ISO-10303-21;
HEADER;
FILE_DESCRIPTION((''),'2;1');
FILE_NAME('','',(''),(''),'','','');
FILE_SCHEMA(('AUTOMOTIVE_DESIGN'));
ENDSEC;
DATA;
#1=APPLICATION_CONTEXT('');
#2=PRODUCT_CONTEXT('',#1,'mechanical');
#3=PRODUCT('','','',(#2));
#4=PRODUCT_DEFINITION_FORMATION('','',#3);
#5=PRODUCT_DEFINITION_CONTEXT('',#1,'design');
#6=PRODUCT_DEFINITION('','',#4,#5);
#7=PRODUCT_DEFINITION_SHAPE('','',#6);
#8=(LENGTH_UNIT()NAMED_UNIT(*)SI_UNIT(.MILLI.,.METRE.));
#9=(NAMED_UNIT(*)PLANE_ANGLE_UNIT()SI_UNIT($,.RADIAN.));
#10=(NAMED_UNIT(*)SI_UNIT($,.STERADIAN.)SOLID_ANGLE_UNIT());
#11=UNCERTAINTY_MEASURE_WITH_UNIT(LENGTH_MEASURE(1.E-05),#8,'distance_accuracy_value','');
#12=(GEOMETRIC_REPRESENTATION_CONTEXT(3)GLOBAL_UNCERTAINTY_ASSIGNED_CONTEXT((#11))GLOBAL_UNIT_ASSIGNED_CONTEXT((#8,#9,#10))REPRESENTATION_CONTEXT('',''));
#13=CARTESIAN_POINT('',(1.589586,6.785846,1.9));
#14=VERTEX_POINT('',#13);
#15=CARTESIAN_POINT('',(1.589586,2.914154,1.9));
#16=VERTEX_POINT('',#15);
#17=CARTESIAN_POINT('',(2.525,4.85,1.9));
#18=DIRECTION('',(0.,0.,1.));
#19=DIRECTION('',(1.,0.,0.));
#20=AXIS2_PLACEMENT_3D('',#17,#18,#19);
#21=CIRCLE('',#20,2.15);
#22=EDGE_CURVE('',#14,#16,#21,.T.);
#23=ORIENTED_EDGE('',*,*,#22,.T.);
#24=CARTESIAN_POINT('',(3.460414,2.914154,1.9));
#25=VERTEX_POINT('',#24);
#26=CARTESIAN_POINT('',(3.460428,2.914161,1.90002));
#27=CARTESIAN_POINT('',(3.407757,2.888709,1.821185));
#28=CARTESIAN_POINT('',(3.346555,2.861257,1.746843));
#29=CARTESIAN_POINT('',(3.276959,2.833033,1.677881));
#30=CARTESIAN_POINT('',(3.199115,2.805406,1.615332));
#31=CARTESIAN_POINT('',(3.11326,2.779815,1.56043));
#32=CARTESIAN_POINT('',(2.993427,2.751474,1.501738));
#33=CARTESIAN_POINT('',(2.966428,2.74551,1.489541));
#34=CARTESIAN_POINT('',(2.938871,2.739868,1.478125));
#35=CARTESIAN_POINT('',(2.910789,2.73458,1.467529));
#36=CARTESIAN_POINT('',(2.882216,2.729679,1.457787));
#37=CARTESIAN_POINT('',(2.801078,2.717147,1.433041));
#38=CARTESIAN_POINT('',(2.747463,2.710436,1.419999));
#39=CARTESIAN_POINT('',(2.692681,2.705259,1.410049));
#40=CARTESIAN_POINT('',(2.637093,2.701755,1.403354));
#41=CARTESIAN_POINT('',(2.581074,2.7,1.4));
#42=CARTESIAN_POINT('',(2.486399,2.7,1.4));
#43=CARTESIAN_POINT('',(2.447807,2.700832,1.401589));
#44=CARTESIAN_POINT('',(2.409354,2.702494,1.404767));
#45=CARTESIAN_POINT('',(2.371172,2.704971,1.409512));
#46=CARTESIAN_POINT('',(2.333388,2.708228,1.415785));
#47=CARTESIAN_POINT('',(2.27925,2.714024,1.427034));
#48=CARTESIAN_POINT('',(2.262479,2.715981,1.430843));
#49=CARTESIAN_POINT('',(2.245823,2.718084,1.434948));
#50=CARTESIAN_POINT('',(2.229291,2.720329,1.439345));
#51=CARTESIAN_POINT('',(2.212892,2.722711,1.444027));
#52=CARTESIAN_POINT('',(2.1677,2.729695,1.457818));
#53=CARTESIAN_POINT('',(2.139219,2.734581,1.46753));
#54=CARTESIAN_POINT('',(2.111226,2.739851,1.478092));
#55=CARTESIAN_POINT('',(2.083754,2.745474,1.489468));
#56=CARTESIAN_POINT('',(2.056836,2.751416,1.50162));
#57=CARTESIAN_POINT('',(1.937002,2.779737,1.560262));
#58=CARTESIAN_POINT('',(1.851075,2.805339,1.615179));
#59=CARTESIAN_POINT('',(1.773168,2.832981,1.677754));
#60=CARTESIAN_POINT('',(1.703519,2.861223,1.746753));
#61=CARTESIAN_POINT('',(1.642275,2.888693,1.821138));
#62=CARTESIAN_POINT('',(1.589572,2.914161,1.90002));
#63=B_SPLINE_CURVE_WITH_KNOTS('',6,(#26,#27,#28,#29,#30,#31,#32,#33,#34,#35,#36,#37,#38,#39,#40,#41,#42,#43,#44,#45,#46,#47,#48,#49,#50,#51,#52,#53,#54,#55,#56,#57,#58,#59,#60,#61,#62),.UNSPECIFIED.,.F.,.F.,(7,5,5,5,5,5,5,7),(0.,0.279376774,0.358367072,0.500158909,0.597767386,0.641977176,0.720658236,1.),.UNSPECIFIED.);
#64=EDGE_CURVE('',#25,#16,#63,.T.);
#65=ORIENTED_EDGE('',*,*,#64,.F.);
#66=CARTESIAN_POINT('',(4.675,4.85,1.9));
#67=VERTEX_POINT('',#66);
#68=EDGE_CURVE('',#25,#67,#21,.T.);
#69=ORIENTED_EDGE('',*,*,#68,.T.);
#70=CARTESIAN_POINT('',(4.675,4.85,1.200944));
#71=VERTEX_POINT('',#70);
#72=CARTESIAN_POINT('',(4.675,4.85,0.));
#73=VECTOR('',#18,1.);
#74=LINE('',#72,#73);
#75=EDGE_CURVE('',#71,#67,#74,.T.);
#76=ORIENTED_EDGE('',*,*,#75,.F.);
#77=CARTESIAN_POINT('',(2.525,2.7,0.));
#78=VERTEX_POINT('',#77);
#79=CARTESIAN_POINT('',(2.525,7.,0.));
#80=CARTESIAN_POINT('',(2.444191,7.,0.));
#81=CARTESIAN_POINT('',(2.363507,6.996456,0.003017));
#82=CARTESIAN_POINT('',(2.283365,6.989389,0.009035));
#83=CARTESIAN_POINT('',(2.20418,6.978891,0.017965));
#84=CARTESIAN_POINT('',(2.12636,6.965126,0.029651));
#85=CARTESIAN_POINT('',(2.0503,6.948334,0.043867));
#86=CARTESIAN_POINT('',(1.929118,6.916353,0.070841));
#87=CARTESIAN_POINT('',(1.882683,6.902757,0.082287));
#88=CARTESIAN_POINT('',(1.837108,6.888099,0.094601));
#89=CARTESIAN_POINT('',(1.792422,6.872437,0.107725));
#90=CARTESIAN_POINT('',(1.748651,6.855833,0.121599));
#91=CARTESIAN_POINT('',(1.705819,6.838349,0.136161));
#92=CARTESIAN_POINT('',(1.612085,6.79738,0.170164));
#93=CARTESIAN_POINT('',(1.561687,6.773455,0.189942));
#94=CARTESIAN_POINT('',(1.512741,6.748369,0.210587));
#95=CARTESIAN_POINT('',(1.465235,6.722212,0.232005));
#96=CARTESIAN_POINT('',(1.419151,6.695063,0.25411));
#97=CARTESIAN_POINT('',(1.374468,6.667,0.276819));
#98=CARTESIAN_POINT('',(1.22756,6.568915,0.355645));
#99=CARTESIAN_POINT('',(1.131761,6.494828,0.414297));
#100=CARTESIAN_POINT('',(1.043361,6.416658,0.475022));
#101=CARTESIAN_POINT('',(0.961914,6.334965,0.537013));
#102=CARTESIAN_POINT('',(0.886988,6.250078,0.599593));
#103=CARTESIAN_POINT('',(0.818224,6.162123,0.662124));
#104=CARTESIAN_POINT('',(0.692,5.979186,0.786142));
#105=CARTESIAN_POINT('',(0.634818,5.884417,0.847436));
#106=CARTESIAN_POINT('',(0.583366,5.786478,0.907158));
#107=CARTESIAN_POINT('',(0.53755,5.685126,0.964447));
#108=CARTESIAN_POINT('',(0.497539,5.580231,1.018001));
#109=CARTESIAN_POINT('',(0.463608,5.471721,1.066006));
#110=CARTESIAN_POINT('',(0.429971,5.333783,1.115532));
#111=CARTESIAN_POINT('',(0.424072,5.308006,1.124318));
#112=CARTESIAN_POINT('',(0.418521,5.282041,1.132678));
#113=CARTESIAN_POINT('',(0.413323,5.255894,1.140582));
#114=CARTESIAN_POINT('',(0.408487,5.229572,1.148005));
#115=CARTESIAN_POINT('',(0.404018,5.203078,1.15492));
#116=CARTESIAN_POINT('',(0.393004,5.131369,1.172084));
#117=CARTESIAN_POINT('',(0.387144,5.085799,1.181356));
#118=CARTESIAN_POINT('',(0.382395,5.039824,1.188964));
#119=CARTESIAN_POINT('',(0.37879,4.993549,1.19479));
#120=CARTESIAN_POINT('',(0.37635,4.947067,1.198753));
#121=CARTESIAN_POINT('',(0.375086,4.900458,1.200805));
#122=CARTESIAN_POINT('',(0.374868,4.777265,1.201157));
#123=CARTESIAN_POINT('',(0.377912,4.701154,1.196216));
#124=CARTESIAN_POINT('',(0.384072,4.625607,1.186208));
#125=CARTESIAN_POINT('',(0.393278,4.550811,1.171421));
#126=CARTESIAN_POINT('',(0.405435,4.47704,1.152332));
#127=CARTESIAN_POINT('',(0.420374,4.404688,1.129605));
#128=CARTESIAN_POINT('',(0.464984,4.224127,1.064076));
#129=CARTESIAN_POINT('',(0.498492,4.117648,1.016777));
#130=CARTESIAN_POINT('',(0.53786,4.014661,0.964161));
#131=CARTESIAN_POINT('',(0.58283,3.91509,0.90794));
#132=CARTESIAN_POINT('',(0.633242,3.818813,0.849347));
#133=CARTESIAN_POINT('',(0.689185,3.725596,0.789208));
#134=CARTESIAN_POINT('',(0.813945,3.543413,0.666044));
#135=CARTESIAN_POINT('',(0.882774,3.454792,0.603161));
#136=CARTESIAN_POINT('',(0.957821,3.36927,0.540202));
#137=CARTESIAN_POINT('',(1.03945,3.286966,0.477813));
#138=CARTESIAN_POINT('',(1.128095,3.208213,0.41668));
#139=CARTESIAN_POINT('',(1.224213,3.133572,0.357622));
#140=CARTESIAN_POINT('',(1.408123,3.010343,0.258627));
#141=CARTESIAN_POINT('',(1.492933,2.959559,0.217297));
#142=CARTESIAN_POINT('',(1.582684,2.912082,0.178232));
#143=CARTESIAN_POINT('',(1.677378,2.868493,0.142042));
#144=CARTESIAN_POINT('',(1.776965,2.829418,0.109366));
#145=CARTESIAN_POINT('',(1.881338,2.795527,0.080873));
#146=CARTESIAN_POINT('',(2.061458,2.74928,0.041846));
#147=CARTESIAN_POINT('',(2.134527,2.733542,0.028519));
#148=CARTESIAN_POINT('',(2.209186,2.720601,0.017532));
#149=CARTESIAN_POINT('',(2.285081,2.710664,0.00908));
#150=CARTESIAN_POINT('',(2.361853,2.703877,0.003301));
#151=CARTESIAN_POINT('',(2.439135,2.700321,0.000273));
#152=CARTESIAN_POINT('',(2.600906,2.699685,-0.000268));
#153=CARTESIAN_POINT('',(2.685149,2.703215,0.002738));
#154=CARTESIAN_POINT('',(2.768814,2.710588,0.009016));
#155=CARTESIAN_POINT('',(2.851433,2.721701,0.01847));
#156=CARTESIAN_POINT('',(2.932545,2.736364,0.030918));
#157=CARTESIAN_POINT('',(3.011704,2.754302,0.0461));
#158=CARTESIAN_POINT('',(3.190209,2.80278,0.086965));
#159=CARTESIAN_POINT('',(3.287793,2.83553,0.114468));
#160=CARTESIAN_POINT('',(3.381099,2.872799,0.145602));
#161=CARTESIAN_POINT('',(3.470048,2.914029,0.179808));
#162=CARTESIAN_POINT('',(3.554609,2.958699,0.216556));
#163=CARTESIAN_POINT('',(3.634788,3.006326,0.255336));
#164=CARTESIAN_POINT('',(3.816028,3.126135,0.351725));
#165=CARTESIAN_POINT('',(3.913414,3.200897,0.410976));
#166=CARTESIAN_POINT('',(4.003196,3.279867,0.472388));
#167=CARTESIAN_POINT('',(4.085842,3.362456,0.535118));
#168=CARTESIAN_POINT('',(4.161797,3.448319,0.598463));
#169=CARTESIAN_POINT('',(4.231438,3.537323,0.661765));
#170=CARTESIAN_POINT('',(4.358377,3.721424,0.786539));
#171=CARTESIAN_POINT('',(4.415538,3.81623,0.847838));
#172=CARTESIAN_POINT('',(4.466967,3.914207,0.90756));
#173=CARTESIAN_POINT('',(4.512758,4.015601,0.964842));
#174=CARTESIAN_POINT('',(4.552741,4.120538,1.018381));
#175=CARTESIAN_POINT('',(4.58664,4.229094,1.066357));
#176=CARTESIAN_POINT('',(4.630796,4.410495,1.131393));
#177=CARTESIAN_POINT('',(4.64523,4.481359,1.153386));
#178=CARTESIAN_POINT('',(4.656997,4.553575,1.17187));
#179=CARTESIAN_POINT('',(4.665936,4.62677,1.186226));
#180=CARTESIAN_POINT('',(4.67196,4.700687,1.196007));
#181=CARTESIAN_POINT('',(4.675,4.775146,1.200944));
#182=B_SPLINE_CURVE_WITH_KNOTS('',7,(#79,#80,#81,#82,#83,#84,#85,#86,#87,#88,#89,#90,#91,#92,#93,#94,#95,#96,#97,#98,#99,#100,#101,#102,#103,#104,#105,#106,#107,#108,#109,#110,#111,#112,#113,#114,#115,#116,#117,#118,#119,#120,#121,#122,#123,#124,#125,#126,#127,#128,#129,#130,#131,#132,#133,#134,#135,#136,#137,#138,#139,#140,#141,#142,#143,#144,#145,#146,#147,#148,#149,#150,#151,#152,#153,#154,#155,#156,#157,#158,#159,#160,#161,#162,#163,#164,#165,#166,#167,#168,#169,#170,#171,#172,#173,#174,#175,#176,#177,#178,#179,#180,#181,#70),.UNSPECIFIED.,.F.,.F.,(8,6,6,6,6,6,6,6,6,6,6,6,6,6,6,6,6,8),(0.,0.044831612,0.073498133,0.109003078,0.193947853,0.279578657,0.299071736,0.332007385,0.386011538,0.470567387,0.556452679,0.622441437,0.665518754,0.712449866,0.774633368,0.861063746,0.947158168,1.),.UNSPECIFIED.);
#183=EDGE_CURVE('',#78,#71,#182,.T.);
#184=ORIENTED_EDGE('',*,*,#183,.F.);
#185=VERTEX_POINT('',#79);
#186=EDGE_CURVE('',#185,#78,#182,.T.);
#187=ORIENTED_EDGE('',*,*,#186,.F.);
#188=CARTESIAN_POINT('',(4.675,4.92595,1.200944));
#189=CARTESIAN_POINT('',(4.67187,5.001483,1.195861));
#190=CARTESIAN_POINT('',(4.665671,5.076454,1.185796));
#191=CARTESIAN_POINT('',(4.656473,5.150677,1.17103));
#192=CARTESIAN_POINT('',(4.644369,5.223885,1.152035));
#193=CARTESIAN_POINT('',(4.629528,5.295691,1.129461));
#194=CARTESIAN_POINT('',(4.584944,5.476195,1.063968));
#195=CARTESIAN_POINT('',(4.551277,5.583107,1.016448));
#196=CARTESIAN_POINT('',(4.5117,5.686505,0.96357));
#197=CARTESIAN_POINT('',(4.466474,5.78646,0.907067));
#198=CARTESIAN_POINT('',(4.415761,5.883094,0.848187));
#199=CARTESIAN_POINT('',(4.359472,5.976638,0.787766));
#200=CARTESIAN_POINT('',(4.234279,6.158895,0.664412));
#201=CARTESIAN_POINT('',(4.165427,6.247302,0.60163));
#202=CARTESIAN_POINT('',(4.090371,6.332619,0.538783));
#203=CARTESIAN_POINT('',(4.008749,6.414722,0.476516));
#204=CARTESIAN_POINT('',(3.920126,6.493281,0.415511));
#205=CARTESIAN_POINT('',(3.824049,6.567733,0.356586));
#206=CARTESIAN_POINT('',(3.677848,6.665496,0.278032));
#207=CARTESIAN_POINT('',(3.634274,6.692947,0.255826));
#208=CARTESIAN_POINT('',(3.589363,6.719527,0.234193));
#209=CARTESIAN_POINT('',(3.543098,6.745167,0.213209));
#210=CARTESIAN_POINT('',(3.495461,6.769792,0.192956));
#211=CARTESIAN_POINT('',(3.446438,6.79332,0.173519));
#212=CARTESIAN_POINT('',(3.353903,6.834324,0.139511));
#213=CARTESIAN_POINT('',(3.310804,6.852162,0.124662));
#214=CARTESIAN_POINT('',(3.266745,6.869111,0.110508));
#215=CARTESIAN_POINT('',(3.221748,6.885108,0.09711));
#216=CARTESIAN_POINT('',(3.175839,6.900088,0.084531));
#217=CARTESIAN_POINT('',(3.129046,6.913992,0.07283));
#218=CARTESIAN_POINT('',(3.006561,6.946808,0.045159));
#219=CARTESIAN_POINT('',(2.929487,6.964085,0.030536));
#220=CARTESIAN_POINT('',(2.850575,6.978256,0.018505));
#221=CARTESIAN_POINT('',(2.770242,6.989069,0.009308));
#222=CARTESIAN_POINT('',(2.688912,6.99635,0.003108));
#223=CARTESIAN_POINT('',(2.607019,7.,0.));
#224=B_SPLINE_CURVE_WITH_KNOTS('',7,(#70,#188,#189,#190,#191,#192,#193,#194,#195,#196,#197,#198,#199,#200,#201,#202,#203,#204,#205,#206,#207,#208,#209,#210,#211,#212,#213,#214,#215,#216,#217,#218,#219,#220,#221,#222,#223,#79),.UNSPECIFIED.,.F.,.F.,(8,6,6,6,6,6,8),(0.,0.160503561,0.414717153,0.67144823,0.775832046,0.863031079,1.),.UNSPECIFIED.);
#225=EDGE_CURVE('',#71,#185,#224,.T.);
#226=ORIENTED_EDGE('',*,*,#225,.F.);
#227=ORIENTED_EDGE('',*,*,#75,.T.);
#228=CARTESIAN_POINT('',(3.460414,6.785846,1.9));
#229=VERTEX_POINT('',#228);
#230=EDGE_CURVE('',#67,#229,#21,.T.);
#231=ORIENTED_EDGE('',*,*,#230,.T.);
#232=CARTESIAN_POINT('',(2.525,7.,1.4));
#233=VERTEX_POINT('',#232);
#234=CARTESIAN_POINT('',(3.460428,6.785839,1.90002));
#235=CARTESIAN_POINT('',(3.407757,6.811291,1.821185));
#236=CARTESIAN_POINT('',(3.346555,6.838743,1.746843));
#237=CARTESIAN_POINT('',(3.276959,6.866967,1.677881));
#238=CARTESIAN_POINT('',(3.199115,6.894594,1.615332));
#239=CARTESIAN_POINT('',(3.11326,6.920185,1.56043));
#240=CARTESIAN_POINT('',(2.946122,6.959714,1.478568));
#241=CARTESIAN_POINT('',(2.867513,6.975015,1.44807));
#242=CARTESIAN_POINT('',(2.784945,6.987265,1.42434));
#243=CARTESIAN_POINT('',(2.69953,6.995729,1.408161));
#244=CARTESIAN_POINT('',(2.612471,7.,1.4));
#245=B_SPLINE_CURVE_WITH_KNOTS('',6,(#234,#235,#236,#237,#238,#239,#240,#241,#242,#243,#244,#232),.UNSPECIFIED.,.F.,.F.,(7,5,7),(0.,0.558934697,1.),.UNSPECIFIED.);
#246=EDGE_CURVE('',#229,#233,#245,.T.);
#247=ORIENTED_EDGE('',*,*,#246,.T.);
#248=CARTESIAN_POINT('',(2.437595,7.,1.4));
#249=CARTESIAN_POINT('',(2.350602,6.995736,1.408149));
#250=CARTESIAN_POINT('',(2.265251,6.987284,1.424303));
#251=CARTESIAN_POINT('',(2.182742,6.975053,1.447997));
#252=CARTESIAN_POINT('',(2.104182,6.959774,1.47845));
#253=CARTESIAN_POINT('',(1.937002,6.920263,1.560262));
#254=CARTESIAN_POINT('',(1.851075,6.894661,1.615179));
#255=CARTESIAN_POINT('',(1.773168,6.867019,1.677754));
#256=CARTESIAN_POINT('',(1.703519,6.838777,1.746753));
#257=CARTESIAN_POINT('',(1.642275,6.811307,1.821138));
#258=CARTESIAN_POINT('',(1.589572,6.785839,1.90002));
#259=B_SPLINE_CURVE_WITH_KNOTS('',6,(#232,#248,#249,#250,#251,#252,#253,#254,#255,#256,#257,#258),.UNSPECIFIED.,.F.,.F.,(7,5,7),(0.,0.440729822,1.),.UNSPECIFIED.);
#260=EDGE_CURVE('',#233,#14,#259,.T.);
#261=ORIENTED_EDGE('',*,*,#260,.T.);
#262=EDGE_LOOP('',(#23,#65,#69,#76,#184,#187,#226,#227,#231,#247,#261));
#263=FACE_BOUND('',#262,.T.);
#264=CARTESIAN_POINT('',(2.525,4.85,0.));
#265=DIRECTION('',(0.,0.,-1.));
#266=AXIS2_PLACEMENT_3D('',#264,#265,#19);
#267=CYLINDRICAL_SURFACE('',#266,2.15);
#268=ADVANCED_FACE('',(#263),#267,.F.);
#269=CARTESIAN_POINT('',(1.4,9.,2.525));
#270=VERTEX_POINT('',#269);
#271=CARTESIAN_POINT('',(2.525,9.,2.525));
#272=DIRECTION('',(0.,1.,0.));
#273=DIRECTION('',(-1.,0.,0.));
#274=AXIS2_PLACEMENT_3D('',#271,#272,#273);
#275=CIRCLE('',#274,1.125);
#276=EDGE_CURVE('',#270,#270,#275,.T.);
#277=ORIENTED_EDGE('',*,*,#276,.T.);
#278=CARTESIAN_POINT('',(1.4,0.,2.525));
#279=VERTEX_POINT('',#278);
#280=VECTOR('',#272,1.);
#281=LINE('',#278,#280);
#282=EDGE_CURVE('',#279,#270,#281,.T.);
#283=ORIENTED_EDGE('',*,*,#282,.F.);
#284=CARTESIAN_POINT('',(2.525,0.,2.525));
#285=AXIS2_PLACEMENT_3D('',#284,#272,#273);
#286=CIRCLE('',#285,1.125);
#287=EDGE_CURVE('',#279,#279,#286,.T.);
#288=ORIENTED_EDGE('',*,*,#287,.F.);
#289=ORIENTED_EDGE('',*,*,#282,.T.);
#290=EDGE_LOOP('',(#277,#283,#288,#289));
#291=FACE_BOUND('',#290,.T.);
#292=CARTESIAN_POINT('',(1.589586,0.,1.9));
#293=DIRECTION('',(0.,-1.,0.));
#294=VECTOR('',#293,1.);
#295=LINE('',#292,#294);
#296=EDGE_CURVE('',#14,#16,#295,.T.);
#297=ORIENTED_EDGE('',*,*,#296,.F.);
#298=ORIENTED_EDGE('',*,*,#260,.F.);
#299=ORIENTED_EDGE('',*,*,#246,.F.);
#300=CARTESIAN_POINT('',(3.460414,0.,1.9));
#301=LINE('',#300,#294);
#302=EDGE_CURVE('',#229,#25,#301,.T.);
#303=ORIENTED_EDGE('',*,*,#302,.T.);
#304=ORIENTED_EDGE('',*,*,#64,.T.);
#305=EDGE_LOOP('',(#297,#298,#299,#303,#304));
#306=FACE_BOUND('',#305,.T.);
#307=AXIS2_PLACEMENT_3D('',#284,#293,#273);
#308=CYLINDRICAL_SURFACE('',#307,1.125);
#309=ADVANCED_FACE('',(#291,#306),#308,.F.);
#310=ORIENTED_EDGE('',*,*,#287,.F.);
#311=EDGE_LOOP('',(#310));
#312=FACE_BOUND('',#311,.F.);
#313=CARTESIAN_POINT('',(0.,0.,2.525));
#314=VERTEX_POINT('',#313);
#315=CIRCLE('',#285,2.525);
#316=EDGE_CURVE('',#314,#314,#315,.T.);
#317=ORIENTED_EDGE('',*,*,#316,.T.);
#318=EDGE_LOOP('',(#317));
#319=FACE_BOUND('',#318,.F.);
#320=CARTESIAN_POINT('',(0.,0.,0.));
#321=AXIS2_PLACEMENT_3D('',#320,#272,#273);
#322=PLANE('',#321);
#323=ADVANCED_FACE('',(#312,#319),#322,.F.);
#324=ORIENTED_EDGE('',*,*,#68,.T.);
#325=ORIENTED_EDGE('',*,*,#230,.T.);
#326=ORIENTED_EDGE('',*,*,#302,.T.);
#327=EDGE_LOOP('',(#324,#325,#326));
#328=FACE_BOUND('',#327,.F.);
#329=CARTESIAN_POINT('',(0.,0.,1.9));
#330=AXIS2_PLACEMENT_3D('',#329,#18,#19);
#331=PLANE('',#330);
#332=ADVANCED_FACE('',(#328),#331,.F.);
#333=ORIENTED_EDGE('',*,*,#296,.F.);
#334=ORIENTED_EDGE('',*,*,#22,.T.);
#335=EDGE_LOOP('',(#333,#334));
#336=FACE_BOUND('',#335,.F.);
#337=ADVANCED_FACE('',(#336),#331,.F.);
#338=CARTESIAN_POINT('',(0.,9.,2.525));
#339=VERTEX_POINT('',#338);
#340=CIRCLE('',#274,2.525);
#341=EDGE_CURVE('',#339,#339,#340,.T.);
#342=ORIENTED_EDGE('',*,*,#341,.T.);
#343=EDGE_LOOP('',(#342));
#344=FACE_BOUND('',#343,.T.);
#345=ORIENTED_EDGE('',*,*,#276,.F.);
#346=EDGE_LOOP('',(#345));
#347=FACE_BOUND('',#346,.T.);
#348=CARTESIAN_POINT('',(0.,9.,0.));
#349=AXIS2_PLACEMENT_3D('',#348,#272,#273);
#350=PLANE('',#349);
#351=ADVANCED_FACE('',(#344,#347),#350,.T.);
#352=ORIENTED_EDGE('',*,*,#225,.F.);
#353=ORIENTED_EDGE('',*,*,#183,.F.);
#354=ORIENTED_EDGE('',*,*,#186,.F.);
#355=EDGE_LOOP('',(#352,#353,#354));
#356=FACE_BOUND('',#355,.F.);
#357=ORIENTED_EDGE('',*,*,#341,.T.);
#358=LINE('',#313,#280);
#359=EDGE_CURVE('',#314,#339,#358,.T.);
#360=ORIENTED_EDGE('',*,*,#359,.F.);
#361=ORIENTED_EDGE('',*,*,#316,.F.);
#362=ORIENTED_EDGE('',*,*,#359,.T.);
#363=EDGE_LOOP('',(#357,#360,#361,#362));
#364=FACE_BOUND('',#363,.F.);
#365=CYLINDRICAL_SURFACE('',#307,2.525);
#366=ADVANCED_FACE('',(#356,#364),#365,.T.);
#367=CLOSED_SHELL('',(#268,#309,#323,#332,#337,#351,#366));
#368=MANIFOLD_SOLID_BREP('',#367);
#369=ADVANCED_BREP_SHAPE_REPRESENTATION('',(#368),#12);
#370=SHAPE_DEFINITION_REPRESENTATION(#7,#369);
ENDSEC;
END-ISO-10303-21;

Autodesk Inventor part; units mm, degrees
ref_plane "YZ Plane" through (0, 0, 0) normal (1, 0, 0) x (0, 1, 0)
ref_plane "XZ Plane" through (0, 0, 0) normal (0, 1, 0) x (-1, 0, 0)
sketch "Sketch1" plane through (0, 0, 0) normal (0, 1, 0) x (-1, 0, 0)
  circle A0 centre (-2.525, 2.525) radius 1.125
  circle A1 centre (-2.525, 2.525) radius 2.525
  line L0 (0, 0) -> (-7.3028, 0) construction
  line L1 (0, 0) -> (0, 4.3038) construction
  dimension "d0" = 2.25
  dimension "d1" = 5.05
extrude "Extrusion1" add sketch "Sketch1" along normal blind 9
ref_plane "Work Plane1" through (2.525, 0, 1.4) normal (0, 0, 1) x (1, 0, 0)
ref_plane "screwMaxDist" through (2.525, 0, 1.9) normal (0, 0, 1) x (1, 0, 0)
sketch "Sketch2" plane through (0, 0, 0) normal (0, 0, 1) x (1, 0, 0)
  line L0 (5.05, 9) -> (0, 9) projected
  circle A0 centre (2.525, 4.85) radius 2.15
  line L1 (5.05, 9) -> (0, 9) projected
  line L2 (5.05, 0) -> (0, 0) projected
  line L3 (0, 0) -> (0, 9) projected
  line L4 (0, 7) -> (5.05, 7)
  line L5 (5.05, 0) -> (5.05, 9) projected
  dimension "d5" = 4.3
  dimension "d15" = 2
  dimension "d16" = 2.525
  dimension "d17" = 2.525
extrude "Extrusion2" cut sketch "Sketch2" along normal up to surface (1.9 mm away) contours A0
equation "\"d16\" = d17"
properties part number "motor_shaft_adapter" material "ABS Plastic"
